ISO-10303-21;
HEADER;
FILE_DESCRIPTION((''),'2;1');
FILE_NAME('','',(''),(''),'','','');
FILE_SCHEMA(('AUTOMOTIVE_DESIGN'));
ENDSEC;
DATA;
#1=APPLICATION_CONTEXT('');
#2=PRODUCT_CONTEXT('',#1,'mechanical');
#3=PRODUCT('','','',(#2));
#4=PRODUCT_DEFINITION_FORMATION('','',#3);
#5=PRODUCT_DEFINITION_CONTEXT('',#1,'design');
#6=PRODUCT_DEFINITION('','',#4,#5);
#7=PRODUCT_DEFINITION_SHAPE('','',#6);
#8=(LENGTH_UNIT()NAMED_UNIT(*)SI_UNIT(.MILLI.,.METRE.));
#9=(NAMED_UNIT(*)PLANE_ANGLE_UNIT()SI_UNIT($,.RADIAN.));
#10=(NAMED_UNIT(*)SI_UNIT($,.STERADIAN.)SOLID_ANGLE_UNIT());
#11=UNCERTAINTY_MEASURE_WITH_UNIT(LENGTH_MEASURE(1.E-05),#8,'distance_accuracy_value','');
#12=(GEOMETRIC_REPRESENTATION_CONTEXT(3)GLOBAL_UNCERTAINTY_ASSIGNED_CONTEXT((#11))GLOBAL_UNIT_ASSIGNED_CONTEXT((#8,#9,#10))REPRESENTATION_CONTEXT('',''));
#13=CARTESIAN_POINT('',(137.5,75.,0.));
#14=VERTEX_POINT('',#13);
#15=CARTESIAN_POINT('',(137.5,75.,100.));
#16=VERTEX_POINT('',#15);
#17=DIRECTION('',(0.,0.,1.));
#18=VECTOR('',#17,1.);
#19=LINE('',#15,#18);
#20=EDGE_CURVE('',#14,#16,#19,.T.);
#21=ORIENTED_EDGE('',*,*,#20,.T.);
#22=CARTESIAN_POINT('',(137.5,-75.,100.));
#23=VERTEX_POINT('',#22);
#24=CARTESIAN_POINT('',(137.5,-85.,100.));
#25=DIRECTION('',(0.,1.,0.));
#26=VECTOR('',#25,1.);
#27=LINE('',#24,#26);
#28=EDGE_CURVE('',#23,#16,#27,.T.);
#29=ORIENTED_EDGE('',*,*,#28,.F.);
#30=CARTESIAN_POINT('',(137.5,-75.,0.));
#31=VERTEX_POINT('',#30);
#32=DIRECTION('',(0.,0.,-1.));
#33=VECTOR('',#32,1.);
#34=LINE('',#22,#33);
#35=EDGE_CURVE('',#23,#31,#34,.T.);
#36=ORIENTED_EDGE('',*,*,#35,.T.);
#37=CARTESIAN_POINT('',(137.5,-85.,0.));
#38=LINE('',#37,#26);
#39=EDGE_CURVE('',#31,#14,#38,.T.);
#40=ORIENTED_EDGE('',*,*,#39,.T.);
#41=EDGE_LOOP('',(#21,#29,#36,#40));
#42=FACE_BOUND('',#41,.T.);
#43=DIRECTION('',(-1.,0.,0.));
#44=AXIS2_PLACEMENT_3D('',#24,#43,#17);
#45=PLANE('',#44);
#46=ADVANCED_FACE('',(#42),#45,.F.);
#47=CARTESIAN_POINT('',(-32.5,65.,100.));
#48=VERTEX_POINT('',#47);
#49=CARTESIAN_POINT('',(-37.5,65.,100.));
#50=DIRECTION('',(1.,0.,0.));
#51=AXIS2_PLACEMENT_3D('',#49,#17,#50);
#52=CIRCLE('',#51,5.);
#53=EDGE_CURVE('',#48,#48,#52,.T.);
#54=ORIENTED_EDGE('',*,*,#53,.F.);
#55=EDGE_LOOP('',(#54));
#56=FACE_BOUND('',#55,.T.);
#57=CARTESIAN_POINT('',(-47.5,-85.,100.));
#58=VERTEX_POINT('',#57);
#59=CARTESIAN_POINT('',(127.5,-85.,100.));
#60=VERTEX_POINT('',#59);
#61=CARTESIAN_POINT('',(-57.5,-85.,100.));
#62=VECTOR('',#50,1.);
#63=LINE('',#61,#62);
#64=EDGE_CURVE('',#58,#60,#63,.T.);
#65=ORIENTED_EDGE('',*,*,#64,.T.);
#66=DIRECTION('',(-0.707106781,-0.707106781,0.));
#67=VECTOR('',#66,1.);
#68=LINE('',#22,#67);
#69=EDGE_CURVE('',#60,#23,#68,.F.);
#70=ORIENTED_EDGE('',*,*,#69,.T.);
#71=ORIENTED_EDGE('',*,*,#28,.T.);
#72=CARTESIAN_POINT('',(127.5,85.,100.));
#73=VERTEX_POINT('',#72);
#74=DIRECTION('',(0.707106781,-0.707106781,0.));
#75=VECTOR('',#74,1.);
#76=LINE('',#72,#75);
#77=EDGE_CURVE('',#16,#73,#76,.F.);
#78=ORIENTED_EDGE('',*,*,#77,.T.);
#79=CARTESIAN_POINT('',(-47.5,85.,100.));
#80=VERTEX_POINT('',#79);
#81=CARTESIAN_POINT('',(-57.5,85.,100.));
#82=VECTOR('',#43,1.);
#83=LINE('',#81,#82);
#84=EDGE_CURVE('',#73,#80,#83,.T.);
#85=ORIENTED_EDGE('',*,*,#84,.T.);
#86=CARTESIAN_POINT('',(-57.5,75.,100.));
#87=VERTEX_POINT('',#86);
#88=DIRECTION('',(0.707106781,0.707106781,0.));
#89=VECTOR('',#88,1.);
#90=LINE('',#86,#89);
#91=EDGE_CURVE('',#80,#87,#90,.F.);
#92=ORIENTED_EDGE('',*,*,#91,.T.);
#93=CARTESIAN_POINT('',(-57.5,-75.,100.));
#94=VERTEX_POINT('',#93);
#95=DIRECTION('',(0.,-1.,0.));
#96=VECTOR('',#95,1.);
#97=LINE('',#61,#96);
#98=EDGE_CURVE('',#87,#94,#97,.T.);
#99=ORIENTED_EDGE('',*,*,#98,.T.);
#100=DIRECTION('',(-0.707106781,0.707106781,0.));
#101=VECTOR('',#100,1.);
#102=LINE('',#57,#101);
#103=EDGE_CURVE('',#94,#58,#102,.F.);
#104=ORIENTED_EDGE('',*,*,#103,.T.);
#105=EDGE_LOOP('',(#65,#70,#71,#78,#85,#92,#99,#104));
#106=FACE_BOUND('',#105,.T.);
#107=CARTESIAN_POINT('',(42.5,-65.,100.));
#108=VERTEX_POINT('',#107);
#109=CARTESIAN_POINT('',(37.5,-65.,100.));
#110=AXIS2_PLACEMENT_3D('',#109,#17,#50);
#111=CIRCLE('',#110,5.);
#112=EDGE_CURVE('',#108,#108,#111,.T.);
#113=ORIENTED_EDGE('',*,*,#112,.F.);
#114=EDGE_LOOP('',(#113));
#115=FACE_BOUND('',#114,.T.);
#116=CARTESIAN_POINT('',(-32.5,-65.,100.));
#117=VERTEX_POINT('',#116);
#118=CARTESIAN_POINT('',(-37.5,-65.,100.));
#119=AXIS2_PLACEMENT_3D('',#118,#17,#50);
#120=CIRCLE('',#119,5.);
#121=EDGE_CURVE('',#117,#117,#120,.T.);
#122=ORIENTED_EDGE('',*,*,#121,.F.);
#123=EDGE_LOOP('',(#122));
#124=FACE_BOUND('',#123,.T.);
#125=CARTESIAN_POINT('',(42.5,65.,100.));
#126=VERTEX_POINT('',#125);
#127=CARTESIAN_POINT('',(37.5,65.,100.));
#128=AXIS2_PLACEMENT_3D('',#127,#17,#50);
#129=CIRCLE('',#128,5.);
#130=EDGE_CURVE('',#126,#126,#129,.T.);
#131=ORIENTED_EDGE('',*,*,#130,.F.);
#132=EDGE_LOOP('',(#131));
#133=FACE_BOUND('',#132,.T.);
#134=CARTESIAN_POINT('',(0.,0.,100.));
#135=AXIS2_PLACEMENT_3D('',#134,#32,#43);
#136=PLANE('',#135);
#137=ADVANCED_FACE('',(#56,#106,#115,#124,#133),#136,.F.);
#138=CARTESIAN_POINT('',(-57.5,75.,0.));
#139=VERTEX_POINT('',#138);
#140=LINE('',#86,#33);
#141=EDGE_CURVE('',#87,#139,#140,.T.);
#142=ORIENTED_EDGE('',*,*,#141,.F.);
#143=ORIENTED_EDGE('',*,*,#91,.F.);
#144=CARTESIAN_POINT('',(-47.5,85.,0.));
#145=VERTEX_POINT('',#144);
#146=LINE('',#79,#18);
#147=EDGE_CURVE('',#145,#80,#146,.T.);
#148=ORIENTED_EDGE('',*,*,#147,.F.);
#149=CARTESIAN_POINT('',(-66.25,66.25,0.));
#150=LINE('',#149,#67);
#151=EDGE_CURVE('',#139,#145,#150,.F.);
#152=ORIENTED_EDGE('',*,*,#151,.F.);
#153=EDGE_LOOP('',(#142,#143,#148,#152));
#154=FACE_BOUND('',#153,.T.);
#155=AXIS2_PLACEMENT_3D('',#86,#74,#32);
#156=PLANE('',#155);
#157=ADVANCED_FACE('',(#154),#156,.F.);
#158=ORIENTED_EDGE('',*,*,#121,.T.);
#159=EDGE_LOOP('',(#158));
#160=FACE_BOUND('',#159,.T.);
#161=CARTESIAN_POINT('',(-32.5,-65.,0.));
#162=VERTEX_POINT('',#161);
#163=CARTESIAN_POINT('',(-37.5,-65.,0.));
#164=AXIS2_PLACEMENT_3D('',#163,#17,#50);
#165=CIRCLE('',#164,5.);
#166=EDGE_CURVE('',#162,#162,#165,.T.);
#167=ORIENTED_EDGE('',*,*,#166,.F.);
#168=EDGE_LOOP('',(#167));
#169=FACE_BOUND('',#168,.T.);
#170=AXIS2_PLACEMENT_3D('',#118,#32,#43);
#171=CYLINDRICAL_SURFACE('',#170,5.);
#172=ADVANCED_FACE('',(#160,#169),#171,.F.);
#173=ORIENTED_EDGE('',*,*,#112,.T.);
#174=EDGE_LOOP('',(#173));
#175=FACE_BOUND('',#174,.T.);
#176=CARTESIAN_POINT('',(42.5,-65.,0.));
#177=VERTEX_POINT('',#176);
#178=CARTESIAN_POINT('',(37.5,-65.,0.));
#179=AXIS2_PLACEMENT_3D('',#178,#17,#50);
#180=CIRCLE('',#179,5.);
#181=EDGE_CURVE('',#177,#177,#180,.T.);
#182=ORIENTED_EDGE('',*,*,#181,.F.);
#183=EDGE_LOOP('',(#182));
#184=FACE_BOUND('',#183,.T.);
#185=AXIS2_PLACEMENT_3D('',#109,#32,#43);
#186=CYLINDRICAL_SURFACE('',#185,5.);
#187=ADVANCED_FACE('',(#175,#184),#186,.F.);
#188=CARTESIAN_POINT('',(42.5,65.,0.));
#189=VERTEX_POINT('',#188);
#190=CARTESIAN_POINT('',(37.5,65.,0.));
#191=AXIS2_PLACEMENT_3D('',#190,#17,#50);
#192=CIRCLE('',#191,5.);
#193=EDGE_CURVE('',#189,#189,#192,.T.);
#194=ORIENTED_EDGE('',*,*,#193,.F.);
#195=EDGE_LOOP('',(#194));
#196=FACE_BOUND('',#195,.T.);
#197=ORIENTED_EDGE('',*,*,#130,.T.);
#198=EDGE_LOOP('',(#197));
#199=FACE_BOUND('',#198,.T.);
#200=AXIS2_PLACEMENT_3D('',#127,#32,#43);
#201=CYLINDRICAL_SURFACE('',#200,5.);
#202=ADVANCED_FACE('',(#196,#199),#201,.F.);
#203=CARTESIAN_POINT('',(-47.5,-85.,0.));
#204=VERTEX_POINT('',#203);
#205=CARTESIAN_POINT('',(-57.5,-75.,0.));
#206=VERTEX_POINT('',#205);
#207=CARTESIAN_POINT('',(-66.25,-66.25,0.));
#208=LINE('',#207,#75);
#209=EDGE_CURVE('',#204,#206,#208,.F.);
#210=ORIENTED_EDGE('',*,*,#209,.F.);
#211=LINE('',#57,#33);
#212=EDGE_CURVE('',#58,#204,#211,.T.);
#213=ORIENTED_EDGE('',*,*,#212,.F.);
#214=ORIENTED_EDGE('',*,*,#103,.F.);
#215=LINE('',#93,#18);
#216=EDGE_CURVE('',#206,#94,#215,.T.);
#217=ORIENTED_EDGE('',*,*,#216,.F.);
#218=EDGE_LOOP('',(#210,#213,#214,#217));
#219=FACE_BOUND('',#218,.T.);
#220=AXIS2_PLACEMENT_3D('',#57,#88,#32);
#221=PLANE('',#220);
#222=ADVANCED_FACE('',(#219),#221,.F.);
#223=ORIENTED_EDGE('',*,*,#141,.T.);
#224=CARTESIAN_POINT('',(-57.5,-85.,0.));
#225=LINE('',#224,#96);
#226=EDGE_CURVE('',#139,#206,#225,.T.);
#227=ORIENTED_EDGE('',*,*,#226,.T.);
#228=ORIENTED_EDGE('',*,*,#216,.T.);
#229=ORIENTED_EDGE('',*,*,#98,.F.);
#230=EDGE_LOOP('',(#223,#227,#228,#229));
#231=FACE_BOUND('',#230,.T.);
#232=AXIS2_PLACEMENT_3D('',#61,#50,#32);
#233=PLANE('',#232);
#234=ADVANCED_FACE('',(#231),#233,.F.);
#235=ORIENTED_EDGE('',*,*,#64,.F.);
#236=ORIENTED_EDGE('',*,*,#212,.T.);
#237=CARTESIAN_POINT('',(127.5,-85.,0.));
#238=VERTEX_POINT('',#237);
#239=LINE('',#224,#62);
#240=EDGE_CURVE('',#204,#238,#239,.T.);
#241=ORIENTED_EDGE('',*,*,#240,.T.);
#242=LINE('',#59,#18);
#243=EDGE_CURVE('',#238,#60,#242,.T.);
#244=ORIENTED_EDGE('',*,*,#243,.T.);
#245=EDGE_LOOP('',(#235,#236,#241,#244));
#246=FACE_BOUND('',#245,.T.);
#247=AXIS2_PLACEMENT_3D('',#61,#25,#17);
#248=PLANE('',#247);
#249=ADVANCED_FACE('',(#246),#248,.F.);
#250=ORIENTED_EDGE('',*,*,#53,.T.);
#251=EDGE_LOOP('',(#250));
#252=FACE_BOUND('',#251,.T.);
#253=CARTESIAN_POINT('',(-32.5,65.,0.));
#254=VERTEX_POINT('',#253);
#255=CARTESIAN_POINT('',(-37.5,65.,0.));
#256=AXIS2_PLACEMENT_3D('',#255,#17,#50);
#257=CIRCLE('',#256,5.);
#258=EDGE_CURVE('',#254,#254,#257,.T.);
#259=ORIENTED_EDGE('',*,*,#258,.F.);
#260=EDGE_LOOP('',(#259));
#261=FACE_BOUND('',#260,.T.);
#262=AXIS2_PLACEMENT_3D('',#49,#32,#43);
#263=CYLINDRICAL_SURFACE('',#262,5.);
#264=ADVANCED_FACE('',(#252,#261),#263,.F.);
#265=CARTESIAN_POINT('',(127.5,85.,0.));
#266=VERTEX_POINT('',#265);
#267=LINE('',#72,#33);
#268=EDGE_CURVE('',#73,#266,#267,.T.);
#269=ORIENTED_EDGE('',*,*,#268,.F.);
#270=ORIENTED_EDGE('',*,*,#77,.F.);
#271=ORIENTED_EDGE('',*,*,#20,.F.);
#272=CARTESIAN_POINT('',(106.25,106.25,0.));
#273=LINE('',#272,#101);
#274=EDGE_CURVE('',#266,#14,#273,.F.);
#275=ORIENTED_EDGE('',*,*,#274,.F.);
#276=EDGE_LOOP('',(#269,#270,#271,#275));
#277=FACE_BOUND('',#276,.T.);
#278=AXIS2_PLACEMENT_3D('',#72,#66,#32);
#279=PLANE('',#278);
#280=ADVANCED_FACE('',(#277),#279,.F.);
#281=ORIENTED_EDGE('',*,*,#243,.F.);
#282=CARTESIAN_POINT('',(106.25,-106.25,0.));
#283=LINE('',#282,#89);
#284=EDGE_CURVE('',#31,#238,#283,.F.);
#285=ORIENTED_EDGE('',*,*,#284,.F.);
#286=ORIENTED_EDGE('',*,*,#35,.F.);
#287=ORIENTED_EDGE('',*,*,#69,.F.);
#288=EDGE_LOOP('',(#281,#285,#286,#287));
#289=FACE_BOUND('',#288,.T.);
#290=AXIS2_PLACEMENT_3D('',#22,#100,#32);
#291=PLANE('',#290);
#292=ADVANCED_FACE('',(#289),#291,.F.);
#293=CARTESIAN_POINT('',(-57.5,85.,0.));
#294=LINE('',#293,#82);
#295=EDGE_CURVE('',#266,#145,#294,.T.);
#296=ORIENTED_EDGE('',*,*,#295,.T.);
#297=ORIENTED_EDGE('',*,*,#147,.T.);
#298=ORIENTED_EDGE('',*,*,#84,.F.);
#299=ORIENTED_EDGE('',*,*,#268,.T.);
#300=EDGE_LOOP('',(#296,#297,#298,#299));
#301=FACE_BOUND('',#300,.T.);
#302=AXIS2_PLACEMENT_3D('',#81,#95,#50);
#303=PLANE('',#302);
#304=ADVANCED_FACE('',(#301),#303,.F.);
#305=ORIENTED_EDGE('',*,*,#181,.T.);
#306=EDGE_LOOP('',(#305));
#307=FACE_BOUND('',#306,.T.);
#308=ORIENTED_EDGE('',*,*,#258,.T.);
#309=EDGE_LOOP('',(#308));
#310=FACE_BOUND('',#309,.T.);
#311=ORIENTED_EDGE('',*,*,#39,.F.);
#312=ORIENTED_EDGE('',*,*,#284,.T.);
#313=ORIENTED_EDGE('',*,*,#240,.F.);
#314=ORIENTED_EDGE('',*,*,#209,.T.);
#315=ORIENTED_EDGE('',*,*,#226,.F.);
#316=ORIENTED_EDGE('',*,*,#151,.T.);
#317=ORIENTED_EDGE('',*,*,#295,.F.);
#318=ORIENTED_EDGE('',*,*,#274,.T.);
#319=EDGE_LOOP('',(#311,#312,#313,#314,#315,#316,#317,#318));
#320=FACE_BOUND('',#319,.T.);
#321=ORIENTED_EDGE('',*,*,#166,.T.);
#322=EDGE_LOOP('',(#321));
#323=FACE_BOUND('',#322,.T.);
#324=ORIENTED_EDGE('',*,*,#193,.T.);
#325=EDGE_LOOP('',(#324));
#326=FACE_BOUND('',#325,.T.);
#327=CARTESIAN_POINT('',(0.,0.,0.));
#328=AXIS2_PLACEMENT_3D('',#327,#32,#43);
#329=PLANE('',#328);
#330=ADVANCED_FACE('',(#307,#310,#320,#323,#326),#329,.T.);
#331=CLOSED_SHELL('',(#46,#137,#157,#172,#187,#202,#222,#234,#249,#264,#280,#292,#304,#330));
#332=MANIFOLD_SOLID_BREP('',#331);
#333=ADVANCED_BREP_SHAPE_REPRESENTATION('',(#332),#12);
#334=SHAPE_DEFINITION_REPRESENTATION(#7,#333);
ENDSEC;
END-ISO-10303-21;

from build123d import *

# Parameters (mm, degrees)
SKETCH_1_W      = 195
SKETCH_1_H      = 170
SKETCH_1_R      = 5
EXTRUDE_1_DEPTH = 100
CHAMFER_1_SIZE  = 10


with BuildPart() as part:
    # 草图1 → 凸台-拉伸1 (new body)
    with BuildSketch(Plane.XY):
        with Locations((40, 0)):
            Rectangle(SKETCH_1_W, SKETCH_1_H)
        with Locations((-37.5, 65)):
            Circle(SKETCH_1_R, mode=Mode.SUBTRACT)
        with Locations((37.5, 65)):
            Circle(SKETCH_1_R, mode=Mode.SUBTRACT)
        with Locations((-37.5, -65)):
            Circle(SKETCH_1_R, mode=Mode.SUBTRACT)
        with Locations((37.5, -65)):
            Circle(SKETCH_1_R, mode=Mode.SUBTRACT)
    extrude(amount=EXTRUDE_1_DEPTH)

    # 倒角1
    chamfer_1_edges = [part.edges().sort_by_distance(p)[0] for p in [
        (137.5, -85, 50),
        (-57.5, -85, 50),
        (-57.5, 85, 50),
        (137.5, 85, 50),
    ]]
    chamfer(chamfer_1_edges, length=CHAMFER_1_SIZE)


solid = part.part
